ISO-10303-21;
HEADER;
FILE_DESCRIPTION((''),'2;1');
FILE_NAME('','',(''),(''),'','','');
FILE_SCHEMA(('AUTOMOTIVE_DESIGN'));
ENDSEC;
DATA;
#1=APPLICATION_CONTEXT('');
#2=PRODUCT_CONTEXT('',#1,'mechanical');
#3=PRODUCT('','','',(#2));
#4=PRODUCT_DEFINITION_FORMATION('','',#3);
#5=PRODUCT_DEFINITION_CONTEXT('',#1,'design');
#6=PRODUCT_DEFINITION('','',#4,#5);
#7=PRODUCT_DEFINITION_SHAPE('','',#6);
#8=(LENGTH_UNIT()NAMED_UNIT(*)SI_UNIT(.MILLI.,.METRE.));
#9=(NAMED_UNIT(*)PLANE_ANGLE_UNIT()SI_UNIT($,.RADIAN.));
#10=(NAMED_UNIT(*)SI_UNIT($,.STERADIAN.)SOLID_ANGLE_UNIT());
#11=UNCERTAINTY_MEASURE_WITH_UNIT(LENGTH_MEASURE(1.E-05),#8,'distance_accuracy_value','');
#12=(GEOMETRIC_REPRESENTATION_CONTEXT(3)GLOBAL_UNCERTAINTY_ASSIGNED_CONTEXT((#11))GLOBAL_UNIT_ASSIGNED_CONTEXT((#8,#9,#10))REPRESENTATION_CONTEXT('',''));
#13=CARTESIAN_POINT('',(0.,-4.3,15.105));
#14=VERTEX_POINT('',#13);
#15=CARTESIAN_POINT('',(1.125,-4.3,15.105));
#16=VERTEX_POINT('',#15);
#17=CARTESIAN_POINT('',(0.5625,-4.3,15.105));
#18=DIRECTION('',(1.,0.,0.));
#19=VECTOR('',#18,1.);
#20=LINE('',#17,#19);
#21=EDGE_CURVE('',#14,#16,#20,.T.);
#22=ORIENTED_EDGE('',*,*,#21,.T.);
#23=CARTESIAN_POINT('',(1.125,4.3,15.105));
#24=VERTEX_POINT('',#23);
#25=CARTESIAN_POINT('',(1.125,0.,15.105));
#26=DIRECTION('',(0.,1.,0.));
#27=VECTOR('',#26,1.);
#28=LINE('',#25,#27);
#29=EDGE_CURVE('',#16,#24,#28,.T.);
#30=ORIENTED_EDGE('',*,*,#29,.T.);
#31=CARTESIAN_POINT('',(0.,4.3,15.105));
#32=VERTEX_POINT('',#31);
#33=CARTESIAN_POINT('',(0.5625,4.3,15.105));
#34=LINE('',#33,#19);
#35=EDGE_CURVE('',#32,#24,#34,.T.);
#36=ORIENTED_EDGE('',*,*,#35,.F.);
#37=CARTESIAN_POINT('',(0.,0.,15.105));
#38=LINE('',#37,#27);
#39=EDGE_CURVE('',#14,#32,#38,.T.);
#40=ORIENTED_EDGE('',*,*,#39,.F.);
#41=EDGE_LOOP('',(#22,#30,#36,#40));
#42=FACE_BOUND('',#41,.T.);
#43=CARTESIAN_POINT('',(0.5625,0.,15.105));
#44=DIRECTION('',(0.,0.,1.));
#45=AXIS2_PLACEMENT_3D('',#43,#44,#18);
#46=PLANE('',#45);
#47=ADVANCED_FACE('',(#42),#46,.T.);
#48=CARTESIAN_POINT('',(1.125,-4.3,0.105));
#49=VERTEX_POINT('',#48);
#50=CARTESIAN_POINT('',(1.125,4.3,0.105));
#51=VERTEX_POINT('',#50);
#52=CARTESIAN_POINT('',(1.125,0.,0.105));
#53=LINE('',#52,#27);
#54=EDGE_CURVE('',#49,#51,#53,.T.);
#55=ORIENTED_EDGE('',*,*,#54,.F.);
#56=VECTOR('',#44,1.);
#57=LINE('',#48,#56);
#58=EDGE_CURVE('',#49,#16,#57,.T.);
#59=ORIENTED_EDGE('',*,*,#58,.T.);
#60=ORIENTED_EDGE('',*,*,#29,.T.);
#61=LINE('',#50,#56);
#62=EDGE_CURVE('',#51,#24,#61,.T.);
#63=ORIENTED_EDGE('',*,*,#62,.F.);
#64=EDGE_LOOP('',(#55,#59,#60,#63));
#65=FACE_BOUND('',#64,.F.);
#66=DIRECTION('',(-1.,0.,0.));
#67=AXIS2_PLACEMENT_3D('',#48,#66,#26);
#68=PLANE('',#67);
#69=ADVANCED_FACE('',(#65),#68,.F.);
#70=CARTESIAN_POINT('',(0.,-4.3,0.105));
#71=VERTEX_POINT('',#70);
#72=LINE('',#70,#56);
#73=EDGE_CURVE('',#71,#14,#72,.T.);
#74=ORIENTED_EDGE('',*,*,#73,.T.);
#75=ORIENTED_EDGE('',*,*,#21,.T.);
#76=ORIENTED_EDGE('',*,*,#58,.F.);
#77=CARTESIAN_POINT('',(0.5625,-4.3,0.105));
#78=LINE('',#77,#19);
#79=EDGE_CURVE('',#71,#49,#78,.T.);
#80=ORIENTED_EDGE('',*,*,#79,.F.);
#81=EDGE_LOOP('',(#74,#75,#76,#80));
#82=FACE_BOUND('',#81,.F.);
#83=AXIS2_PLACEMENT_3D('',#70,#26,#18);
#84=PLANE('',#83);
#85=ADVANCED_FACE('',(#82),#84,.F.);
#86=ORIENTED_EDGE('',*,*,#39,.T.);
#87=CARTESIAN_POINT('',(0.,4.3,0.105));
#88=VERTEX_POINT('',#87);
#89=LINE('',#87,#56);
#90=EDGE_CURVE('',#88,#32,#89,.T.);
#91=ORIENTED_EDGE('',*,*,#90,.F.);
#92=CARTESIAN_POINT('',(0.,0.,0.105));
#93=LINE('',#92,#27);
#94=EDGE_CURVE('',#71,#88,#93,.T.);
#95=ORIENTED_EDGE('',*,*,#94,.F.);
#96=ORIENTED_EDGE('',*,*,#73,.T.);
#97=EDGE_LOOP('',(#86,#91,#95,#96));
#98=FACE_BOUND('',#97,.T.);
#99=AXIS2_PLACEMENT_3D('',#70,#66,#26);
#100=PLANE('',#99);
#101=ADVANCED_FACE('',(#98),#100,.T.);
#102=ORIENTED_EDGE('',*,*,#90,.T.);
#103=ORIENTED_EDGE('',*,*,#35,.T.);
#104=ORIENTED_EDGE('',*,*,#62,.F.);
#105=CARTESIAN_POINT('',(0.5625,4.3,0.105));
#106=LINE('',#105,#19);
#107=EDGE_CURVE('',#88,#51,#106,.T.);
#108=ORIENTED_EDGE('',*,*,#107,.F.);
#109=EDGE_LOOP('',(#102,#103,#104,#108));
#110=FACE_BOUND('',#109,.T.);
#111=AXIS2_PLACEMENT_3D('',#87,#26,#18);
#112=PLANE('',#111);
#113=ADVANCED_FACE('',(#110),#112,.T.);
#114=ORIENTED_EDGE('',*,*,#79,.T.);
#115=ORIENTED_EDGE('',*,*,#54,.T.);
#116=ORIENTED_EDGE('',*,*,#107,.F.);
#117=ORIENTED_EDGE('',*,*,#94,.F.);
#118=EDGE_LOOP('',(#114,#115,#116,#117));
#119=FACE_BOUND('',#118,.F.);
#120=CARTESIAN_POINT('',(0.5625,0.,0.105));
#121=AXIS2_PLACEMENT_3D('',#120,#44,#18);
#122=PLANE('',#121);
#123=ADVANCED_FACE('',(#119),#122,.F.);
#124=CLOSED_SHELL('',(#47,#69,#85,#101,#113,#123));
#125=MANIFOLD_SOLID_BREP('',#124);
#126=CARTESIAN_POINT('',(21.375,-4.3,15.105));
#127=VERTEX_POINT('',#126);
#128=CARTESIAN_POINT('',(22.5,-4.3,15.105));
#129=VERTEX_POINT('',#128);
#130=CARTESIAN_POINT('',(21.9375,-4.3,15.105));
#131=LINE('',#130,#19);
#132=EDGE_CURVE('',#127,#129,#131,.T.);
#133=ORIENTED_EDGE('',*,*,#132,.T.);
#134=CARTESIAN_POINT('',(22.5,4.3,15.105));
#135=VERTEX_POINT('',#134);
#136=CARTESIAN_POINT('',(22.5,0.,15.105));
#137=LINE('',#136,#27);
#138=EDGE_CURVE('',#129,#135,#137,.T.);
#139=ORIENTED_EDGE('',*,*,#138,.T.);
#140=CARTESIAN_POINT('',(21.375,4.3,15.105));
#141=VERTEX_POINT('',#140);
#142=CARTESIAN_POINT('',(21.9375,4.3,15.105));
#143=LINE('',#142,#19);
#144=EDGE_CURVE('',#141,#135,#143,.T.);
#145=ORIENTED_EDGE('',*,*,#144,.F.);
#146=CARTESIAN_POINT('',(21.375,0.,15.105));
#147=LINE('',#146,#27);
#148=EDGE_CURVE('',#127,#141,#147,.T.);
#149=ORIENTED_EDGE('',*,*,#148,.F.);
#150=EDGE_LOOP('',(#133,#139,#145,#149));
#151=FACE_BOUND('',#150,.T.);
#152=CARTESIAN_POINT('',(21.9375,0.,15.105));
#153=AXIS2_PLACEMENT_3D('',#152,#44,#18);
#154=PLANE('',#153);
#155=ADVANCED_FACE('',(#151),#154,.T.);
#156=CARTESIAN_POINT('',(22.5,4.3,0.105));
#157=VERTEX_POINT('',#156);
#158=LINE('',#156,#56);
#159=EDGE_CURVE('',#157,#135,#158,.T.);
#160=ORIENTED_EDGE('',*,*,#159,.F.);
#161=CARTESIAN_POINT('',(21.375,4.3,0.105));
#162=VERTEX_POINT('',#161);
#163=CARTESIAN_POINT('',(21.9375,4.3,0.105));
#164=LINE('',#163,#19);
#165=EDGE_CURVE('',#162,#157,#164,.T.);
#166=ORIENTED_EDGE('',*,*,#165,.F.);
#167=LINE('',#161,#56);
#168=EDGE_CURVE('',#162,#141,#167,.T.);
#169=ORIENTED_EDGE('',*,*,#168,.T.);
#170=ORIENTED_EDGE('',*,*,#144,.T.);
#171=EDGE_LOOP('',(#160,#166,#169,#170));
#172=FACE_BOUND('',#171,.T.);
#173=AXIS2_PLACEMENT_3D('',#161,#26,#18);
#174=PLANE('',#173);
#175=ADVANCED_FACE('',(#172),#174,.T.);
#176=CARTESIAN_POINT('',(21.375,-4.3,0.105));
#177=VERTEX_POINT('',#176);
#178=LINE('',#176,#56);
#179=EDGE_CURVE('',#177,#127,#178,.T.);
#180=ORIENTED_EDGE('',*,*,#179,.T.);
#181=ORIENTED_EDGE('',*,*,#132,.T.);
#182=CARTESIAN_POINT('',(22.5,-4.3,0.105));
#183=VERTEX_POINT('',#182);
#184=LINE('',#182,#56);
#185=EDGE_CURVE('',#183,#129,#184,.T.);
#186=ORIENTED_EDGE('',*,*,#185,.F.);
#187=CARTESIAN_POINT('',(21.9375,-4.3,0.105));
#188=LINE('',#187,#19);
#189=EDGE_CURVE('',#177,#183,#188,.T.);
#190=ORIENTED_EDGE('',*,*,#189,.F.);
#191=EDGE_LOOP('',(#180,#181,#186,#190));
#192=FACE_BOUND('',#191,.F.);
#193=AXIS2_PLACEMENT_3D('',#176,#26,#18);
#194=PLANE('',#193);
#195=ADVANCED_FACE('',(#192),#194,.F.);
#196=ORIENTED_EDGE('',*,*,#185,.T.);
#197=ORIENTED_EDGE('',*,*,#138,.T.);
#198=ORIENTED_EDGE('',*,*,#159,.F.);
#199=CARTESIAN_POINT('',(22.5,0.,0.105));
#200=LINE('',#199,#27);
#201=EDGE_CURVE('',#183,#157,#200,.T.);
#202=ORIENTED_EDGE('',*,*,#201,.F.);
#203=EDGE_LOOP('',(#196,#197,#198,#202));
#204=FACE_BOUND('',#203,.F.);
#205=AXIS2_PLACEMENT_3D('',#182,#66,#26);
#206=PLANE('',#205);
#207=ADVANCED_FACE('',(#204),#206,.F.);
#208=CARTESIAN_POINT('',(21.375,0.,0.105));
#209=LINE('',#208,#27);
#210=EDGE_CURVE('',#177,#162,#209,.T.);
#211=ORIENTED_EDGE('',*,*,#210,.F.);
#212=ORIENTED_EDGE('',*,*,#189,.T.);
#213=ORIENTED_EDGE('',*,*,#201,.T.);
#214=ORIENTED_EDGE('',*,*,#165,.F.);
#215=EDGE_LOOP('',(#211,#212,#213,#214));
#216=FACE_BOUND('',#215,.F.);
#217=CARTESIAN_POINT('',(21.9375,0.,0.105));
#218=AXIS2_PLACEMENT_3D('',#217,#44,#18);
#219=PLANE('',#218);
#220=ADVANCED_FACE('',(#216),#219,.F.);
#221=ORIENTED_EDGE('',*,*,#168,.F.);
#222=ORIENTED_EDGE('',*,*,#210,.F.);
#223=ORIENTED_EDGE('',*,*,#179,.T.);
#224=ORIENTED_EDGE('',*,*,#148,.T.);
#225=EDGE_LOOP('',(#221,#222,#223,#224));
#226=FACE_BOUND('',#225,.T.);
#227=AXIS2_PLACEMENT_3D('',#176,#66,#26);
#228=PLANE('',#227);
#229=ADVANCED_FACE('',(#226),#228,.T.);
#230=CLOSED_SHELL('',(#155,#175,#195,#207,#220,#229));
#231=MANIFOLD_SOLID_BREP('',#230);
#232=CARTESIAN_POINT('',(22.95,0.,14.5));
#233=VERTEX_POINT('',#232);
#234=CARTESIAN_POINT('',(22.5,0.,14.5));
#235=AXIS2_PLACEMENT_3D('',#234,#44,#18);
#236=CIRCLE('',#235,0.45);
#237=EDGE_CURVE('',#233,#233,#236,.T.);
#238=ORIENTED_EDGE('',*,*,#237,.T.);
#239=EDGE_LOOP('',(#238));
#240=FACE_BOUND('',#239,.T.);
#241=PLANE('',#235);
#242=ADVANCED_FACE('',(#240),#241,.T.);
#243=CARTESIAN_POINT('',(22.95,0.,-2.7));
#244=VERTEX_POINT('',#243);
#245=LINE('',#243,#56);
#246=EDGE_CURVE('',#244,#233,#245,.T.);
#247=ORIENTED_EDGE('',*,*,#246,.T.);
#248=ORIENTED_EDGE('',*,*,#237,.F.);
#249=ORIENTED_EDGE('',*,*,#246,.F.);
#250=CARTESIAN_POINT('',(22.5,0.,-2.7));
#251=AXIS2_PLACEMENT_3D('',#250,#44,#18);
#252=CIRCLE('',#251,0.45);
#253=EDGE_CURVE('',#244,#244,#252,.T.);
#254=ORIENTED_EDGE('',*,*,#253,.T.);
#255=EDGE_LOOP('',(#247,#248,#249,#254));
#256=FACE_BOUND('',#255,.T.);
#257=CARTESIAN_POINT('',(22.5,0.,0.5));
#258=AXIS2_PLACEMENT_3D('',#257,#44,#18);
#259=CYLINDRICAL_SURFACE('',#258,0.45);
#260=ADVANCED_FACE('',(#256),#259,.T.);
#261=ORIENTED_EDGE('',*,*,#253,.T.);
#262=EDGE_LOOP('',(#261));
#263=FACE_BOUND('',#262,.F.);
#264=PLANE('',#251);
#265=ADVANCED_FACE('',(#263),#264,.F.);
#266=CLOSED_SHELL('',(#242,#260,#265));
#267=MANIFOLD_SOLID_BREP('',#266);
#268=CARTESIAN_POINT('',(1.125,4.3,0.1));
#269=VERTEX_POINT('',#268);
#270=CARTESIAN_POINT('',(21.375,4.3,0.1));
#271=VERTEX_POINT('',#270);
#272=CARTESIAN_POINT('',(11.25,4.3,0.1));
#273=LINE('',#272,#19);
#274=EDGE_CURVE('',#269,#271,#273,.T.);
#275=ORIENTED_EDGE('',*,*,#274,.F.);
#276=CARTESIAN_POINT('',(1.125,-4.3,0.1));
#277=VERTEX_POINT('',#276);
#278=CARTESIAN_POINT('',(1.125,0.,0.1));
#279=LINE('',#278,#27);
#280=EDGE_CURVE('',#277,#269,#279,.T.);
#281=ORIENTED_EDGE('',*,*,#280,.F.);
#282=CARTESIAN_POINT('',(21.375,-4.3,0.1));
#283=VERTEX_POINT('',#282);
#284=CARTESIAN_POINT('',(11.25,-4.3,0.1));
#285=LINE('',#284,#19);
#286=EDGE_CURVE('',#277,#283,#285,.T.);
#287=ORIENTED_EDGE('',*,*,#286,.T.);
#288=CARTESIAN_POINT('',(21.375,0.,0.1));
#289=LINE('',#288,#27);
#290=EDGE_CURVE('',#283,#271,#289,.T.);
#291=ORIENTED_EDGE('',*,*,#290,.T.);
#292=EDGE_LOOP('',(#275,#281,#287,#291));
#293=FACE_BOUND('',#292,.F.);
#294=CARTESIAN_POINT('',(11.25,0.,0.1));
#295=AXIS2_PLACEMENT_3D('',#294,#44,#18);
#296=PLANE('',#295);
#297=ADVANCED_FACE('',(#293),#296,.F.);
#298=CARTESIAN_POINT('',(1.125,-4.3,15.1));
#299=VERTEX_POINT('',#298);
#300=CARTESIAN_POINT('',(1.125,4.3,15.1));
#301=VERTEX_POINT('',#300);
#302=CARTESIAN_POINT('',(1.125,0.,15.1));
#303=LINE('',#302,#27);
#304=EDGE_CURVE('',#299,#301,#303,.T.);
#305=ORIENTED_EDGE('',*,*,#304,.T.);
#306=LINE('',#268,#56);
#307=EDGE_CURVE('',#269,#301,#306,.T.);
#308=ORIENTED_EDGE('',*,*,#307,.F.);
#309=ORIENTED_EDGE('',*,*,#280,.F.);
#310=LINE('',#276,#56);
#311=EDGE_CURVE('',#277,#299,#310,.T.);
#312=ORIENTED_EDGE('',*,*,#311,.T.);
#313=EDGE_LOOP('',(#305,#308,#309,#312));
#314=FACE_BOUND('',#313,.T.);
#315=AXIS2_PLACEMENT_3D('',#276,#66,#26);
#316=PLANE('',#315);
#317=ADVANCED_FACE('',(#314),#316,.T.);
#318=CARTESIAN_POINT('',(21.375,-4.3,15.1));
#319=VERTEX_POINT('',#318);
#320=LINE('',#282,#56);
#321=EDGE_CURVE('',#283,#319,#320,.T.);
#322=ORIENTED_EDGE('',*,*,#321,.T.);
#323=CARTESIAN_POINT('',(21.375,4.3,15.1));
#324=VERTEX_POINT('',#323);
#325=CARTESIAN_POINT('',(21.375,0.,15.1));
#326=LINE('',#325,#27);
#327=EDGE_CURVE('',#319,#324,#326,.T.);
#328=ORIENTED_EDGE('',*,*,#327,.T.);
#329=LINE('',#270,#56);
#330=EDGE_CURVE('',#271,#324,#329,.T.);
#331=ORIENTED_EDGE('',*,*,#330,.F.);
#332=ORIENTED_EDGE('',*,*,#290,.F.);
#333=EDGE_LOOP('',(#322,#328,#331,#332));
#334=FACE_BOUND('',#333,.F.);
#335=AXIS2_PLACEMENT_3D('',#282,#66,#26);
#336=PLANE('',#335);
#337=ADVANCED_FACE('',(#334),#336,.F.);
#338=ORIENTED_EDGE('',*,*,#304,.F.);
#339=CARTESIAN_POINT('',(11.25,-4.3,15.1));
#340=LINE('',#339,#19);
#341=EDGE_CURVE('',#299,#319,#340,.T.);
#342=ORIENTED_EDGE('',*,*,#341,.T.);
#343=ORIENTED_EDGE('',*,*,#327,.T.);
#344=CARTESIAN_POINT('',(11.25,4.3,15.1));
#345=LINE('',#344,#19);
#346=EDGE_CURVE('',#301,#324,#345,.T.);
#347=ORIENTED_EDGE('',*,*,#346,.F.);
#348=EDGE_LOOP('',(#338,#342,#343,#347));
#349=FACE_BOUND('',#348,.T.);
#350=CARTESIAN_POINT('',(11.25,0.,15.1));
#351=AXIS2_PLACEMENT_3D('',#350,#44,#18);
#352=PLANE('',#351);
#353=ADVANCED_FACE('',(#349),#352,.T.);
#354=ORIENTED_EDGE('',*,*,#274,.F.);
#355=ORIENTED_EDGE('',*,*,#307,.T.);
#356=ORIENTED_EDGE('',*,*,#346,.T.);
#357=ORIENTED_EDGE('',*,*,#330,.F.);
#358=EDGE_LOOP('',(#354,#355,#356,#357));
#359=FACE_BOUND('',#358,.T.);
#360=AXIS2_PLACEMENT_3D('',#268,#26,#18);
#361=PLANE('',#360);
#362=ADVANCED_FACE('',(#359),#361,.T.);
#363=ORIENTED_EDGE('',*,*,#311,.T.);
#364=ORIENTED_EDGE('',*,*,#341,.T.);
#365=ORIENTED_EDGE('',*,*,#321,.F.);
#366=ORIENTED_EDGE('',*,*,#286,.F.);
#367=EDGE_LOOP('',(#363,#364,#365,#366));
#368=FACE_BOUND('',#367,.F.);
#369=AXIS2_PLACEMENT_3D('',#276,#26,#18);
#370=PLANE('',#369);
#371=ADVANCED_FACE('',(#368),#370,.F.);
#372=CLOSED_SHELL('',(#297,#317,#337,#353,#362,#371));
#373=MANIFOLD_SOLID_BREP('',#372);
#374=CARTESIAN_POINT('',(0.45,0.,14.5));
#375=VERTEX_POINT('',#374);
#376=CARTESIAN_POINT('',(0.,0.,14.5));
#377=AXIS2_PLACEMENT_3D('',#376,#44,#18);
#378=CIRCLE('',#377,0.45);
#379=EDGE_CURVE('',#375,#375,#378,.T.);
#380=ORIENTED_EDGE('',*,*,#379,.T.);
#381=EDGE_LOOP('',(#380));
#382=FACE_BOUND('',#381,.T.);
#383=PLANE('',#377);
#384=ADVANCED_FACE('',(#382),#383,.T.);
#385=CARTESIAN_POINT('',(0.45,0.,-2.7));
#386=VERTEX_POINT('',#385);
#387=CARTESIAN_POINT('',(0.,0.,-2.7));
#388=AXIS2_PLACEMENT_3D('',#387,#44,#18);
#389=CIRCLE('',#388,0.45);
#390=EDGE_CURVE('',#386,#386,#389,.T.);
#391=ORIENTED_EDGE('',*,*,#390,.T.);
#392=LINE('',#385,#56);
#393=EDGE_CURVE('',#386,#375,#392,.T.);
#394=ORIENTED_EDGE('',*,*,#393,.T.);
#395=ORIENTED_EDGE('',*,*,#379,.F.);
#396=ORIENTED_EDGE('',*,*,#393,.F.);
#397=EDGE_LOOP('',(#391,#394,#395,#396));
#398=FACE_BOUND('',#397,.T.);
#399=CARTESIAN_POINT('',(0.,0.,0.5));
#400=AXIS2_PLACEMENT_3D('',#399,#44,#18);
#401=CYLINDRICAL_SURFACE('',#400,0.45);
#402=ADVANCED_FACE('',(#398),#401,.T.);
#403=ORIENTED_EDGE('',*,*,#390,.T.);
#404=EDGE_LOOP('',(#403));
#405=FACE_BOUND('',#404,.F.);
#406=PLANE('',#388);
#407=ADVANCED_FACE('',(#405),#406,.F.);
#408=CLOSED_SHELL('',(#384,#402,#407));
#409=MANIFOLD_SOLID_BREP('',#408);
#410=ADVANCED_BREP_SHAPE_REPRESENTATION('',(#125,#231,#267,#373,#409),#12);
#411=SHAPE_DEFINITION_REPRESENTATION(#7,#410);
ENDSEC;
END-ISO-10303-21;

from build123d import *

# Parameters (mm, degrees)
SKETCH_W          = 20.25
SKETCH_H          = 8.6
PAD_DEPTH         = 15
SKETCH001_R       = 0.45
PAD001_DEPTH      = 14
PAD001_DEPTH_BACK = 3.2
SKETCH002_W       = 1.125
SKETCH002_H       = 8.6
PAD002_DEPTH      = 15


with BuildPart() as pad:
    # Sketch → Pad (new body)
    with BuildSketch(Plane.XY.offset(0.1)):
        with Locations((11.25, 0)):
            Rectangle(SKETCH_W, SKETCH_H)
    extrude(amount=PAD_DEPTH)


with BuildPart() as pad001:
    # Sketch001 → Pad001 (new body, two sides)
    with BuildSketch(Plane.XY.offset(0.5)) as pad001_sk:
        Circle(SKETCH001_R)
        with Locations((22.5, 0)):
            Circle(SKETCH001_R)
    extrude(amount=PAD001_DEPTH)
    extrude(pad001_sk.sketch, amount=-PAD001_DEPTH_BACK)


with BuildPart() as pad002:
    # Sketch002 → Pad002 (new body)
    with BuildSketch(Plane.XY.offset(0.105)):
        with Locations((0.5625, 0)):
            Rectangle(SKETCH002_W, SKETCH002_H)
        with Locations((21.9375, 0)):
            Rectangle(SKETCH002_W, SKETCH002_H)
    extrude(amount=PAD002_DEPTH)


solid = Compound([pad.part, pad001.part, pad002.part])
